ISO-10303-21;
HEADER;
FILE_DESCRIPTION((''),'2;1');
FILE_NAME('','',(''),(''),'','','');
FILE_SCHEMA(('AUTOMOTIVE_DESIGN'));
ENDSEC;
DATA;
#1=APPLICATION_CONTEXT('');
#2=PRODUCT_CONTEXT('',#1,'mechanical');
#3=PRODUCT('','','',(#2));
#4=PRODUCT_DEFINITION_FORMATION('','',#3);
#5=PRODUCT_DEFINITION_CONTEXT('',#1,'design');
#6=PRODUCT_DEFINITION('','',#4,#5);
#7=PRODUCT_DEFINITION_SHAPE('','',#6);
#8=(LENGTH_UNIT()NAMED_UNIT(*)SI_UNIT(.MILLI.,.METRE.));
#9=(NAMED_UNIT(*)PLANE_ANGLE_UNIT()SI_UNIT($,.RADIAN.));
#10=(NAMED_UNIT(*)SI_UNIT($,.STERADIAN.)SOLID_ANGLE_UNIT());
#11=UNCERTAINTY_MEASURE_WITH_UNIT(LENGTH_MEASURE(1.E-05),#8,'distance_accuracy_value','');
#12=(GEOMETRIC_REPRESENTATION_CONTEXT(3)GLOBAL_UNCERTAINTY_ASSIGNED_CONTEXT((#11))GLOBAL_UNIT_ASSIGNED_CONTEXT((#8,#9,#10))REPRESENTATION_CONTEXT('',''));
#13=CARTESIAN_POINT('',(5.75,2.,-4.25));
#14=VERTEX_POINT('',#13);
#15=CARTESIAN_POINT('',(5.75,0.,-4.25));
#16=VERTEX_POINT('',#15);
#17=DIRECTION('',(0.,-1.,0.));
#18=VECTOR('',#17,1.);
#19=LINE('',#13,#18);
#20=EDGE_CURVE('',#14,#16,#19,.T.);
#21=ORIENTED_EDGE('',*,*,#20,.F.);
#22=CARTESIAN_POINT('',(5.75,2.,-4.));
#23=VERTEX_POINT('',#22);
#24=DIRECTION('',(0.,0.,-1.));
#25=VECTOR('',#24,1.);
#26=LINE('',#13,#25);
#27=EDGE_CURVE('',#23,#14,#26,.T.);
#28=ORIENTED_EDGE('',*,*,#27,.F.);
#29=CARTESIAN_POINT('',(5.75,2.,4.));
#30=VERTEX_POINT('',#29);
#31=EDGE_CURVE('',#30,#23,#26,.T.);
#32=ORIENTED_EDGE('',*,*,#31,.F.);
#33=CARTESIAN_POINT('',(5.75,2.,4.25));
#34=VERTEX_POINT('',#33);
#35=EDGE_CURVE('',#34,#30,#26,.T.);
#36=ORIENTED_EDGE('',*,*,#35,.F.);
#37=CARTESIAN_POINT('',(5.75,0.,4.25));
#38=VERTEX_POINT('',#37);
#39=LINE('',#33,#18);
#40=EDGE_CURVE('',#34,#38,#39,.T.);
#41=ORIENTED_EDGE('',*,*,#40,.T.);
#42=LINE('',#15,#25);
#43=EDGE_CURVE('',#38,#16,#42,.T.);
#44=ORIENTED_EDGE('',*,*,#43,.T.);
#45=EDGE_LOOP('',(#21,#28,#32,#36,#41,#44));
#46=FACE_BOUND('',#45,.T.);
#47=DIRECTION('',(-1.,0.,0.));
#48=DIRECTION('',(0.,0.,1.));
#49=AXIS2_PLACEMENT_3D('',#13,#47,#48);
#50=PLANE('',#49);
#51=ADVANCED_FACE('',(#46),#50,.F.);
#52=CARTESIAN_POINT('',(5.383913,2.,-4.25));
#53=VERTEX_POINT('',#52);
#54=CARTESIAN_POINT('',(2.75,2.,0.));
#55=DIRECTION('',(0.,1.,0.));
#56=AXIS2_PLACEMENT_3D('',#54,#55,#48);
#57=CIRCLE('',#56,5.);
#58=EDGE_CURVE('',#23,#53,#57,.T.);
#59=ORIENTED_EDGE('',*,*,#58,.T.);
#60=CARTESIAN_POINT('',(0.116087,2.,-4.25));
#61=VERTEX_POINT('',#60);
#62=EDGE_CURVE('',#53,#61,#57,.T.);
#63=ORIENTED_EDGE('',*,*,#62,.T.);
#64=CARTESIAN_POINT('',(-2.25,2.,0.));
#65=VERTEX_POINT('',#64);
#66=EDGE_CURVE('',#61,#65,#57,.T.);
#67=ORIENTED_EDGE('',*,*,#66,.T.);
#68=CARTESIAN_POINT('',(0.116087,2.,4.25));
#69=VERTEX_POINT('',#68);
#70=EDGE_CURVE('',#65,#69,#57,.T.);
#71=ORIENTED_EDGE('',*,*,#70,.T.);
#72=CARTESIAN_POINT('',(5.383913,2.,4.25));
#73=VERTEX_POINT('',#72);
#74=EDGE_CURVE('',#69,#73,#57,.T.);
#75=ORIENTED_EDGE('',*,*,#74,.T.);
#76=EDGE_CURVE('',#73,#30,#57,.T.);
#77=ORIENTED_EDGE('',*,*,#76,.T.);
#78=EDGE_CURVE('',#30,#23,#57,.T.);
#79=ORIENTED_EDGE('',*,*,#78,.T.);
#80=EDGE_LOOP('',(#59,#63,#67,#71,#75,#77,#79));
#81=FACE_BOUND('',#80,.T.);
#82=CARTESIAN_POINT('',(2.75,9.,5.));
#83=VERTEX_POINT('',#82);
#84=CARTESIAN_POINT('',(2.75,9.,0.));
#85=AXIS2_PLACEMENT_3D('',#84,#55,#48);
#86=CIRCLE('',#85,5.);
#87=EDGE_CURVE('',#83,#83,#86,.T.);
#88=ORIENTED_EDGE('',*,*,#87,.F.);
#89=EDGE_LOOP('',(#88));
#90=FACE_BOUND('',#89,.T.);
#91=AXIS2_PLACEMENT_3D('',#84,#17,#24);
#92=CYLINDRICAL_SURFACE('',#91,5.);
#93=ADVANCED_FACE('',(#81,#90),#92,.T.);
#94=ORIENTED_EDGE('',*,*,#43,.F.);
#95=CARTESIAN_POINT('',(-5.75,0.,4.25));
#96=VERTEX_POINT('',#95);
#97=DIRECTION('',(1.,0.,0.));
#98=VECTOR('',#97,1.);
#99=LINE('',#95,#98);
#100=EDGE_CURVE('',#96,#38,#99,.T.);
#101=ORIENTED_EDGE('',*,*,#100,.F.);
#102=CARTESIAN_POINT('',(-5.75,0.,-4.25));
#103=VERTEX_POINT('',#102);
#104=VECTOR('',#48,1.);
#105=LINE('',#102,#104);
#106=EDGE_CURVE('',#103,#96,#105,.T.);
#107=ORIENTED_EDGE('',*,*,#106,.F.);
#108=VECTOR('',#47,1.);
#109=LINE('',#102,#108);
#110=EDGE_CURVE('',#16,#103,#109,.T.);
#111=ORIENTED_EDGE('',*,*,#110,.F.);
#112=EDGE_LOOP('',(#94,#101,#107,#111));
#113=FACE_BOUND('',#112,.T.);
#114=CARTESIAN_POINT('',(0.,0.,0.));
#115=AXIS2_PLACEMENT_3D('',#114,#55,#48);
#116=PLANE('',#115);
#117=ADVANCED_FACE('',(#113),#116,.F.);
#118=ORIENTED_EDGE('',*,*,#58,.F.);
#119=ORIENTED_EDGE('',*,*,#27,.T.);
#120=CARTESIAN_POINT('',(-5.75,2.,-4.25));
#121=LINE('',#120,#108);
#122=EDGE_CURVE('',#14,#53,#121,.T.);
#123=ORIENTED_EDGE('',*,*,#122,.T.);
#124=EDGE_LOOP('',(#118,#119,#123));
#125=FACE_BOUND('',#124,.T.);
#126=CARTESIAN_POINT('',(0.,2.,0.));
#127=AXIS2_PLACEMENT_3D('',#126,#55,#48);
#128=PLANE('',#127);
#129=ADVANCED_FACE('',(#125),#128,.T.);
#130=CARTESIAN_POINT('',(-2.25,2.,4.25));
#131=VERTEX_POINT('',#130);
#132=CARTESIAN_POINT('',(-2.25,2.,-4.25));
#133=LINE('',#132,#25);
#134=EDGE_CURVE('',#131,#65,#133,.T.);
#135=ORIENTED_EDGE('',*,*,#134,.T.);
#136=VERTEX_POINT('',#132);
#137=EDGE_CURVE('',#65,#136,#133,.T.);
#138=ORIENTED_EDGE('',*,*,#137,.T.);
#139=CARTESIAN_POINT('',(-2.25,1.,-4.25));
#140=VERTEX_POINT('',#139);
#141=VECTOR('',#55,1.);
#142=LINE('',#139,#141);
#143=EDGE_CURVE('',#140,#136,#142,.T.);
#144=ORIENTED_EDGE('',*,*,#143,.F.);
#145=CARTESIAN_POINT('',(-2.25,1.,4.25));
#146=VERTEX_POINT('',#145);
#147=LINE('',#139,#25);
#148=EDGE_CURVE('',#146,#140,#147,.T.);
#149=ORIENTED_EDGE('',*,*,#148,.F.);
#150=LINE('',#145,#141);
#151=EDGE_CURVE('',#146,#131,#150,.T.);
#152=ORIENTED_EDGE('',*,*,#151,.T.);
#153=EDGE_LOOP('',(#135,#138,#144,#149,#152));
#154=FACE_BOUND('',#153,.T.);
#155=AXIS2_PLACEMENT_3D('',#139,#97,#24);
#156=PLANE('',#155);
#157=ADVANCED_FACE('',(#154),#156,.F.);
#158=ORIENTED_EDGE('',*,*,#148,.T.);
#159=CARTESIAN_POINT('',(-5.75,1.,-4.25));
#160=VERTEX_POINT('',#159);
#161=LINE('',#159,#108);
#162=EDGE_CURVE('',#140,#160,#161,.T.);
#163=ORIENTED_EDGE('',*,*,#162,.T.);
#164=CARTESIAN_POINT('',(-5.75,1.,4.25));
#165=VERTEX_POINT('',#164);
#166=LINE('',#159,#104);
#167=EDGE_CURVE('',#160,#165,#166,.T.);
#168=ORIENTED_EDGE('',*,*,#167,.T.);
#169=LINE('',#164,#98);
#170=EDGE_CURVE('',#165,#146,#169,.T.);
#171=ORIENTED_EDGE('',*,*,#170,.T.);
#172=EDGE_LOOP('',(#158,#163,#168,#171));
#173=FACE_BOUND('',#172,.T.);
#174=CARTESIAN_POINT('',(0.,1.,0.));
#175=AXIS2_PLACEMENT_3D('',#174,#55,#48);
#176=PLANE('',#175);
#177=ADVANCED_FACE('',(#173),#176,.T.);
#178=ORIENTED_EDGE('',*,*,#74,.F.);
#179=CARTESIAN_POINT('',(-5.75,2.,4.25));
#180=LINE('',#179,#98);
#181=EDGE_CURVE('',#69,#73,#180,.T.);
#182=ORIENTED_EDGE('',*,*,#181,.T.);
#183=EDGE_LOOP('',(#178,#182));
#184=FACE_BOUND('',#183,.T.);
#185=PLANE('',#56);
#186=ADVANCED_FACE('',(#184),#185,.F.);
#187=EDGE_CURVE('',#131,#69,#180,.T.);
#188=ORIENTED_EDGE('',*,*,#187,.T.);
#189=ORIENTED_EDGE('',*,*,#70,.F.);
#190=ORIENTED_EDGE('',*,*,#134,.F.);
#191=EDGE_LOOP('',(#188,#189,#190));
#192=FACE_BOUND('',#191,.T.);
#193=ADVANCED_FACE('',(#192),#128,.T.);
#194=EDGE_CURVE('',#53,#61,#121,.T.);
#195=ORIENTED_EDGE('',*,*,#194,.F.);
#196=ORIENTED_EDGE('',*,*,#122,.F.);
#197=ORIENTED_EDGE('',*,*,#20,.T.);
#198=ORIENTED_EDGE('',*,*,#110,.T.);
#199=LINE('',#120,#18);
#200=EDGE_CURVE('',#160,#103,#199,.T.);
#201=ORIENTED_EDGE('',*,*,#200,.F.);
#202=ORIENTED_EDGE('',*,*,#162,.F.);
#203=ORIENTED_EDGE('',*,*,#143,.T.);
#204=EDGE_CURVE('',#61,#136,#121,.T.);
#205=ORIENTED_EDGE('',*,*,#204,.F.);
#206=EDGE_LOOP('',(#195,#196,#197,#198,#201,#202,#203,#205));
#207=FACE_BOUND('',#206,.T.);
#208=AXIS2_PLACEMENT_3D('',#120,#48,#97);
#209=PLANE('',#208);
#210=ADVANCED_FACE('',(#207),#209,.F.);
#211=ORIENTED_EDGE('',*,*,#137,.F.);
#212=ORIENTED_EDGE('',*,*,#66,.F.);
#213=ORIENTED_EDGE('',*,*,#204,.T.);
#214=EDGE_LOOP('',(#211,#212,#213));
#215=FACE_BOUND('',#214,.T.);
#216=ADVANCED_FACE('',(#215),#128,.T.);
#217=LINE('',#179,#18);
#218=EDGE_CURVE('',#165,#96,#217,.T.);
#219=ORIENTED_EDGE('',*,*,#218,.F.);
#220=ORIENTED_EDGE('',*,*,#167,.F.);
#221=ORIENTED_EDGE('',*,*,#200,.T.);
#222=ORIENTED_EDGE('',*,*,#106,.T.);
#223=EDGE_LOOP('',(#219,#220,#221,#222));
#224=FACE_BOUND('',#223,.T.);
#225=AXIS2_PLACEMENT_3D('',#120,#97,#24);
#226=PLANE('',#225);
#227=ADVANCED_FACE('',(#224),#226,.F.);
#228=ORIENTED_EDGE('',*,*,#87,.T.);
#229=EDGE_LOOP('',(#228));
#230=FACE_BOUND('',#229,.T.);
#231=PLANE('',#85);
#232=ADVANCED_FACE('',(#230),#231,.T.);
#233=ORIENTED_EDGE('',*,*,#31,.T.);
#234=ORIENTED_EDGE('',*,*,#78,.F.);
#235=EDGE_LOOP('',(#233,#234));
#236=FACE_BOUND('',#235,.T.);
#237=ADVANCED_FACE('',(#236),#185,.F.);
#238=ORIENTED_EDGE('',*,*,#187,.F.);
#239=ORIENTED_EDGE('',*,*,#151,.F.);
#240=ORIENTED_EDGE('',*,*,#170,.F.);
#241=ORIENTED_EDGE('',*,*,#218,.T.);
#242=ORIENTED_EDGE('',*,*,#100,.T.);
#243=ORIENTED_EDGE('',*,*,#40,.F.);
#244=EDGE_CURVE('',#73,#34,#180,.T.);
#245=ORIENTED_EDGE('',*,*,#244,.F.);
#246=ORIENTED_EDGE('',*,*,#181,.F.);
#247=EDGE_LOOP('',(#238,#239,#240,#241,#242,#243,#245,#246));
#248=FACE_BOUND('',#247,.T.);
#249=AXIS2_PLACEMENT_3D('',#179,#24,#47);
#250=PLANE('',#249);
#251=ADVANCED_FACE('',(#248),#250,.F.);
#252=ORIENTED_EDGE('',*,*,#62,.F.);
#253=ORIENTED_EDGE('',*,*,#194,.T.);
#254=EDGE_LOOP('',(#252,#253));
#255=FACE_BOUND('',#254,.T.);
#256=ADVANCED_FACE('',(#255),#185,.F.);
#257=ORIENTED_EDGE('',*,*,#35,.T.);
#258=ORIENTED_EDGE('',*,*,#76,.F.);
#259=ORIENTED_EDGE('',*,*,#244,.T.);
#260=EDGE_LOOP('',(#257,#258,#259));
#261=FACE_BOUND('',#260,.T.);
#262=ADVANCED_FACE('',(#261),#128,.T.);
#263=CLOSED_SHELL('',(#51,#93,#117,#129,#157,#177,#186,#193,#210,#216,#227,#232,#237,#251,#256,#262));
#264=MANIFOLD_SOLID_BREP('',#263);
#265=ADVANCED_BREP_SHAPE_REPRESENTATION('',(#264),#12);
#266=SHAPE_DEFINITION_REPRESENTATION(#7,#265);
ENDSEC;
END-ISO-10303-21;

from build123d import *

# Parameters (mm, degrees)
SKETCH1_W           = 11.5
SKETCH1_H           = 8.5
BOSS_EXTRUDE1_DEPTH = 2
SKETCH2_R           = 5
BOSS_EXTRUDE2_DEPTH = 7
SKETCH3_W           = 3.5
SKETCH3_H           = 8.5
CUT_EXTRUDE1_DEPTH  = 1


with BuildPart() as part:
    # Sketch1 → Boss-Extrude1 (new body)
    with BuildSketch(Plane(origin=(0, 0, 0), x_dir=(1, 0, 0), z_dir=(0, 1, 0))):
        Rectangle(SKETCH1_W, SKETCH1_H)
    extrude(amount=BOSS_EXTRUDE1_DEPTH)

    # Sketch2 → Boss-Extrude2 (add)
    with BuildSketch(Plane(origin=(0, 2, 0), x_dir=(1, 0, 0), z_dir=(0, 1, 0))):
        with Locations(Location((2.75, 0, 0), (0, 0, 58.211669383))):
            Circle(SKETCH2_R)
    extrude(amount=BOSS_EXTRUDE2_DEPTH)

    # Sketch3 → Cut-Extrude1 (cut)
    with BuildSketch(Plane(origin=(0, 2, 0), x_dir=(1, 0, 0), z_dir=(0, 1, 0))):
        with Locations((-4, 0)):
            Rectangle(SKETCH3_W, SKETCH3_H)
    extrude(amount=-CUT_EXTRUDE1_DEPTH, mode=Mode.SUBTRACT)


solid = part.part
